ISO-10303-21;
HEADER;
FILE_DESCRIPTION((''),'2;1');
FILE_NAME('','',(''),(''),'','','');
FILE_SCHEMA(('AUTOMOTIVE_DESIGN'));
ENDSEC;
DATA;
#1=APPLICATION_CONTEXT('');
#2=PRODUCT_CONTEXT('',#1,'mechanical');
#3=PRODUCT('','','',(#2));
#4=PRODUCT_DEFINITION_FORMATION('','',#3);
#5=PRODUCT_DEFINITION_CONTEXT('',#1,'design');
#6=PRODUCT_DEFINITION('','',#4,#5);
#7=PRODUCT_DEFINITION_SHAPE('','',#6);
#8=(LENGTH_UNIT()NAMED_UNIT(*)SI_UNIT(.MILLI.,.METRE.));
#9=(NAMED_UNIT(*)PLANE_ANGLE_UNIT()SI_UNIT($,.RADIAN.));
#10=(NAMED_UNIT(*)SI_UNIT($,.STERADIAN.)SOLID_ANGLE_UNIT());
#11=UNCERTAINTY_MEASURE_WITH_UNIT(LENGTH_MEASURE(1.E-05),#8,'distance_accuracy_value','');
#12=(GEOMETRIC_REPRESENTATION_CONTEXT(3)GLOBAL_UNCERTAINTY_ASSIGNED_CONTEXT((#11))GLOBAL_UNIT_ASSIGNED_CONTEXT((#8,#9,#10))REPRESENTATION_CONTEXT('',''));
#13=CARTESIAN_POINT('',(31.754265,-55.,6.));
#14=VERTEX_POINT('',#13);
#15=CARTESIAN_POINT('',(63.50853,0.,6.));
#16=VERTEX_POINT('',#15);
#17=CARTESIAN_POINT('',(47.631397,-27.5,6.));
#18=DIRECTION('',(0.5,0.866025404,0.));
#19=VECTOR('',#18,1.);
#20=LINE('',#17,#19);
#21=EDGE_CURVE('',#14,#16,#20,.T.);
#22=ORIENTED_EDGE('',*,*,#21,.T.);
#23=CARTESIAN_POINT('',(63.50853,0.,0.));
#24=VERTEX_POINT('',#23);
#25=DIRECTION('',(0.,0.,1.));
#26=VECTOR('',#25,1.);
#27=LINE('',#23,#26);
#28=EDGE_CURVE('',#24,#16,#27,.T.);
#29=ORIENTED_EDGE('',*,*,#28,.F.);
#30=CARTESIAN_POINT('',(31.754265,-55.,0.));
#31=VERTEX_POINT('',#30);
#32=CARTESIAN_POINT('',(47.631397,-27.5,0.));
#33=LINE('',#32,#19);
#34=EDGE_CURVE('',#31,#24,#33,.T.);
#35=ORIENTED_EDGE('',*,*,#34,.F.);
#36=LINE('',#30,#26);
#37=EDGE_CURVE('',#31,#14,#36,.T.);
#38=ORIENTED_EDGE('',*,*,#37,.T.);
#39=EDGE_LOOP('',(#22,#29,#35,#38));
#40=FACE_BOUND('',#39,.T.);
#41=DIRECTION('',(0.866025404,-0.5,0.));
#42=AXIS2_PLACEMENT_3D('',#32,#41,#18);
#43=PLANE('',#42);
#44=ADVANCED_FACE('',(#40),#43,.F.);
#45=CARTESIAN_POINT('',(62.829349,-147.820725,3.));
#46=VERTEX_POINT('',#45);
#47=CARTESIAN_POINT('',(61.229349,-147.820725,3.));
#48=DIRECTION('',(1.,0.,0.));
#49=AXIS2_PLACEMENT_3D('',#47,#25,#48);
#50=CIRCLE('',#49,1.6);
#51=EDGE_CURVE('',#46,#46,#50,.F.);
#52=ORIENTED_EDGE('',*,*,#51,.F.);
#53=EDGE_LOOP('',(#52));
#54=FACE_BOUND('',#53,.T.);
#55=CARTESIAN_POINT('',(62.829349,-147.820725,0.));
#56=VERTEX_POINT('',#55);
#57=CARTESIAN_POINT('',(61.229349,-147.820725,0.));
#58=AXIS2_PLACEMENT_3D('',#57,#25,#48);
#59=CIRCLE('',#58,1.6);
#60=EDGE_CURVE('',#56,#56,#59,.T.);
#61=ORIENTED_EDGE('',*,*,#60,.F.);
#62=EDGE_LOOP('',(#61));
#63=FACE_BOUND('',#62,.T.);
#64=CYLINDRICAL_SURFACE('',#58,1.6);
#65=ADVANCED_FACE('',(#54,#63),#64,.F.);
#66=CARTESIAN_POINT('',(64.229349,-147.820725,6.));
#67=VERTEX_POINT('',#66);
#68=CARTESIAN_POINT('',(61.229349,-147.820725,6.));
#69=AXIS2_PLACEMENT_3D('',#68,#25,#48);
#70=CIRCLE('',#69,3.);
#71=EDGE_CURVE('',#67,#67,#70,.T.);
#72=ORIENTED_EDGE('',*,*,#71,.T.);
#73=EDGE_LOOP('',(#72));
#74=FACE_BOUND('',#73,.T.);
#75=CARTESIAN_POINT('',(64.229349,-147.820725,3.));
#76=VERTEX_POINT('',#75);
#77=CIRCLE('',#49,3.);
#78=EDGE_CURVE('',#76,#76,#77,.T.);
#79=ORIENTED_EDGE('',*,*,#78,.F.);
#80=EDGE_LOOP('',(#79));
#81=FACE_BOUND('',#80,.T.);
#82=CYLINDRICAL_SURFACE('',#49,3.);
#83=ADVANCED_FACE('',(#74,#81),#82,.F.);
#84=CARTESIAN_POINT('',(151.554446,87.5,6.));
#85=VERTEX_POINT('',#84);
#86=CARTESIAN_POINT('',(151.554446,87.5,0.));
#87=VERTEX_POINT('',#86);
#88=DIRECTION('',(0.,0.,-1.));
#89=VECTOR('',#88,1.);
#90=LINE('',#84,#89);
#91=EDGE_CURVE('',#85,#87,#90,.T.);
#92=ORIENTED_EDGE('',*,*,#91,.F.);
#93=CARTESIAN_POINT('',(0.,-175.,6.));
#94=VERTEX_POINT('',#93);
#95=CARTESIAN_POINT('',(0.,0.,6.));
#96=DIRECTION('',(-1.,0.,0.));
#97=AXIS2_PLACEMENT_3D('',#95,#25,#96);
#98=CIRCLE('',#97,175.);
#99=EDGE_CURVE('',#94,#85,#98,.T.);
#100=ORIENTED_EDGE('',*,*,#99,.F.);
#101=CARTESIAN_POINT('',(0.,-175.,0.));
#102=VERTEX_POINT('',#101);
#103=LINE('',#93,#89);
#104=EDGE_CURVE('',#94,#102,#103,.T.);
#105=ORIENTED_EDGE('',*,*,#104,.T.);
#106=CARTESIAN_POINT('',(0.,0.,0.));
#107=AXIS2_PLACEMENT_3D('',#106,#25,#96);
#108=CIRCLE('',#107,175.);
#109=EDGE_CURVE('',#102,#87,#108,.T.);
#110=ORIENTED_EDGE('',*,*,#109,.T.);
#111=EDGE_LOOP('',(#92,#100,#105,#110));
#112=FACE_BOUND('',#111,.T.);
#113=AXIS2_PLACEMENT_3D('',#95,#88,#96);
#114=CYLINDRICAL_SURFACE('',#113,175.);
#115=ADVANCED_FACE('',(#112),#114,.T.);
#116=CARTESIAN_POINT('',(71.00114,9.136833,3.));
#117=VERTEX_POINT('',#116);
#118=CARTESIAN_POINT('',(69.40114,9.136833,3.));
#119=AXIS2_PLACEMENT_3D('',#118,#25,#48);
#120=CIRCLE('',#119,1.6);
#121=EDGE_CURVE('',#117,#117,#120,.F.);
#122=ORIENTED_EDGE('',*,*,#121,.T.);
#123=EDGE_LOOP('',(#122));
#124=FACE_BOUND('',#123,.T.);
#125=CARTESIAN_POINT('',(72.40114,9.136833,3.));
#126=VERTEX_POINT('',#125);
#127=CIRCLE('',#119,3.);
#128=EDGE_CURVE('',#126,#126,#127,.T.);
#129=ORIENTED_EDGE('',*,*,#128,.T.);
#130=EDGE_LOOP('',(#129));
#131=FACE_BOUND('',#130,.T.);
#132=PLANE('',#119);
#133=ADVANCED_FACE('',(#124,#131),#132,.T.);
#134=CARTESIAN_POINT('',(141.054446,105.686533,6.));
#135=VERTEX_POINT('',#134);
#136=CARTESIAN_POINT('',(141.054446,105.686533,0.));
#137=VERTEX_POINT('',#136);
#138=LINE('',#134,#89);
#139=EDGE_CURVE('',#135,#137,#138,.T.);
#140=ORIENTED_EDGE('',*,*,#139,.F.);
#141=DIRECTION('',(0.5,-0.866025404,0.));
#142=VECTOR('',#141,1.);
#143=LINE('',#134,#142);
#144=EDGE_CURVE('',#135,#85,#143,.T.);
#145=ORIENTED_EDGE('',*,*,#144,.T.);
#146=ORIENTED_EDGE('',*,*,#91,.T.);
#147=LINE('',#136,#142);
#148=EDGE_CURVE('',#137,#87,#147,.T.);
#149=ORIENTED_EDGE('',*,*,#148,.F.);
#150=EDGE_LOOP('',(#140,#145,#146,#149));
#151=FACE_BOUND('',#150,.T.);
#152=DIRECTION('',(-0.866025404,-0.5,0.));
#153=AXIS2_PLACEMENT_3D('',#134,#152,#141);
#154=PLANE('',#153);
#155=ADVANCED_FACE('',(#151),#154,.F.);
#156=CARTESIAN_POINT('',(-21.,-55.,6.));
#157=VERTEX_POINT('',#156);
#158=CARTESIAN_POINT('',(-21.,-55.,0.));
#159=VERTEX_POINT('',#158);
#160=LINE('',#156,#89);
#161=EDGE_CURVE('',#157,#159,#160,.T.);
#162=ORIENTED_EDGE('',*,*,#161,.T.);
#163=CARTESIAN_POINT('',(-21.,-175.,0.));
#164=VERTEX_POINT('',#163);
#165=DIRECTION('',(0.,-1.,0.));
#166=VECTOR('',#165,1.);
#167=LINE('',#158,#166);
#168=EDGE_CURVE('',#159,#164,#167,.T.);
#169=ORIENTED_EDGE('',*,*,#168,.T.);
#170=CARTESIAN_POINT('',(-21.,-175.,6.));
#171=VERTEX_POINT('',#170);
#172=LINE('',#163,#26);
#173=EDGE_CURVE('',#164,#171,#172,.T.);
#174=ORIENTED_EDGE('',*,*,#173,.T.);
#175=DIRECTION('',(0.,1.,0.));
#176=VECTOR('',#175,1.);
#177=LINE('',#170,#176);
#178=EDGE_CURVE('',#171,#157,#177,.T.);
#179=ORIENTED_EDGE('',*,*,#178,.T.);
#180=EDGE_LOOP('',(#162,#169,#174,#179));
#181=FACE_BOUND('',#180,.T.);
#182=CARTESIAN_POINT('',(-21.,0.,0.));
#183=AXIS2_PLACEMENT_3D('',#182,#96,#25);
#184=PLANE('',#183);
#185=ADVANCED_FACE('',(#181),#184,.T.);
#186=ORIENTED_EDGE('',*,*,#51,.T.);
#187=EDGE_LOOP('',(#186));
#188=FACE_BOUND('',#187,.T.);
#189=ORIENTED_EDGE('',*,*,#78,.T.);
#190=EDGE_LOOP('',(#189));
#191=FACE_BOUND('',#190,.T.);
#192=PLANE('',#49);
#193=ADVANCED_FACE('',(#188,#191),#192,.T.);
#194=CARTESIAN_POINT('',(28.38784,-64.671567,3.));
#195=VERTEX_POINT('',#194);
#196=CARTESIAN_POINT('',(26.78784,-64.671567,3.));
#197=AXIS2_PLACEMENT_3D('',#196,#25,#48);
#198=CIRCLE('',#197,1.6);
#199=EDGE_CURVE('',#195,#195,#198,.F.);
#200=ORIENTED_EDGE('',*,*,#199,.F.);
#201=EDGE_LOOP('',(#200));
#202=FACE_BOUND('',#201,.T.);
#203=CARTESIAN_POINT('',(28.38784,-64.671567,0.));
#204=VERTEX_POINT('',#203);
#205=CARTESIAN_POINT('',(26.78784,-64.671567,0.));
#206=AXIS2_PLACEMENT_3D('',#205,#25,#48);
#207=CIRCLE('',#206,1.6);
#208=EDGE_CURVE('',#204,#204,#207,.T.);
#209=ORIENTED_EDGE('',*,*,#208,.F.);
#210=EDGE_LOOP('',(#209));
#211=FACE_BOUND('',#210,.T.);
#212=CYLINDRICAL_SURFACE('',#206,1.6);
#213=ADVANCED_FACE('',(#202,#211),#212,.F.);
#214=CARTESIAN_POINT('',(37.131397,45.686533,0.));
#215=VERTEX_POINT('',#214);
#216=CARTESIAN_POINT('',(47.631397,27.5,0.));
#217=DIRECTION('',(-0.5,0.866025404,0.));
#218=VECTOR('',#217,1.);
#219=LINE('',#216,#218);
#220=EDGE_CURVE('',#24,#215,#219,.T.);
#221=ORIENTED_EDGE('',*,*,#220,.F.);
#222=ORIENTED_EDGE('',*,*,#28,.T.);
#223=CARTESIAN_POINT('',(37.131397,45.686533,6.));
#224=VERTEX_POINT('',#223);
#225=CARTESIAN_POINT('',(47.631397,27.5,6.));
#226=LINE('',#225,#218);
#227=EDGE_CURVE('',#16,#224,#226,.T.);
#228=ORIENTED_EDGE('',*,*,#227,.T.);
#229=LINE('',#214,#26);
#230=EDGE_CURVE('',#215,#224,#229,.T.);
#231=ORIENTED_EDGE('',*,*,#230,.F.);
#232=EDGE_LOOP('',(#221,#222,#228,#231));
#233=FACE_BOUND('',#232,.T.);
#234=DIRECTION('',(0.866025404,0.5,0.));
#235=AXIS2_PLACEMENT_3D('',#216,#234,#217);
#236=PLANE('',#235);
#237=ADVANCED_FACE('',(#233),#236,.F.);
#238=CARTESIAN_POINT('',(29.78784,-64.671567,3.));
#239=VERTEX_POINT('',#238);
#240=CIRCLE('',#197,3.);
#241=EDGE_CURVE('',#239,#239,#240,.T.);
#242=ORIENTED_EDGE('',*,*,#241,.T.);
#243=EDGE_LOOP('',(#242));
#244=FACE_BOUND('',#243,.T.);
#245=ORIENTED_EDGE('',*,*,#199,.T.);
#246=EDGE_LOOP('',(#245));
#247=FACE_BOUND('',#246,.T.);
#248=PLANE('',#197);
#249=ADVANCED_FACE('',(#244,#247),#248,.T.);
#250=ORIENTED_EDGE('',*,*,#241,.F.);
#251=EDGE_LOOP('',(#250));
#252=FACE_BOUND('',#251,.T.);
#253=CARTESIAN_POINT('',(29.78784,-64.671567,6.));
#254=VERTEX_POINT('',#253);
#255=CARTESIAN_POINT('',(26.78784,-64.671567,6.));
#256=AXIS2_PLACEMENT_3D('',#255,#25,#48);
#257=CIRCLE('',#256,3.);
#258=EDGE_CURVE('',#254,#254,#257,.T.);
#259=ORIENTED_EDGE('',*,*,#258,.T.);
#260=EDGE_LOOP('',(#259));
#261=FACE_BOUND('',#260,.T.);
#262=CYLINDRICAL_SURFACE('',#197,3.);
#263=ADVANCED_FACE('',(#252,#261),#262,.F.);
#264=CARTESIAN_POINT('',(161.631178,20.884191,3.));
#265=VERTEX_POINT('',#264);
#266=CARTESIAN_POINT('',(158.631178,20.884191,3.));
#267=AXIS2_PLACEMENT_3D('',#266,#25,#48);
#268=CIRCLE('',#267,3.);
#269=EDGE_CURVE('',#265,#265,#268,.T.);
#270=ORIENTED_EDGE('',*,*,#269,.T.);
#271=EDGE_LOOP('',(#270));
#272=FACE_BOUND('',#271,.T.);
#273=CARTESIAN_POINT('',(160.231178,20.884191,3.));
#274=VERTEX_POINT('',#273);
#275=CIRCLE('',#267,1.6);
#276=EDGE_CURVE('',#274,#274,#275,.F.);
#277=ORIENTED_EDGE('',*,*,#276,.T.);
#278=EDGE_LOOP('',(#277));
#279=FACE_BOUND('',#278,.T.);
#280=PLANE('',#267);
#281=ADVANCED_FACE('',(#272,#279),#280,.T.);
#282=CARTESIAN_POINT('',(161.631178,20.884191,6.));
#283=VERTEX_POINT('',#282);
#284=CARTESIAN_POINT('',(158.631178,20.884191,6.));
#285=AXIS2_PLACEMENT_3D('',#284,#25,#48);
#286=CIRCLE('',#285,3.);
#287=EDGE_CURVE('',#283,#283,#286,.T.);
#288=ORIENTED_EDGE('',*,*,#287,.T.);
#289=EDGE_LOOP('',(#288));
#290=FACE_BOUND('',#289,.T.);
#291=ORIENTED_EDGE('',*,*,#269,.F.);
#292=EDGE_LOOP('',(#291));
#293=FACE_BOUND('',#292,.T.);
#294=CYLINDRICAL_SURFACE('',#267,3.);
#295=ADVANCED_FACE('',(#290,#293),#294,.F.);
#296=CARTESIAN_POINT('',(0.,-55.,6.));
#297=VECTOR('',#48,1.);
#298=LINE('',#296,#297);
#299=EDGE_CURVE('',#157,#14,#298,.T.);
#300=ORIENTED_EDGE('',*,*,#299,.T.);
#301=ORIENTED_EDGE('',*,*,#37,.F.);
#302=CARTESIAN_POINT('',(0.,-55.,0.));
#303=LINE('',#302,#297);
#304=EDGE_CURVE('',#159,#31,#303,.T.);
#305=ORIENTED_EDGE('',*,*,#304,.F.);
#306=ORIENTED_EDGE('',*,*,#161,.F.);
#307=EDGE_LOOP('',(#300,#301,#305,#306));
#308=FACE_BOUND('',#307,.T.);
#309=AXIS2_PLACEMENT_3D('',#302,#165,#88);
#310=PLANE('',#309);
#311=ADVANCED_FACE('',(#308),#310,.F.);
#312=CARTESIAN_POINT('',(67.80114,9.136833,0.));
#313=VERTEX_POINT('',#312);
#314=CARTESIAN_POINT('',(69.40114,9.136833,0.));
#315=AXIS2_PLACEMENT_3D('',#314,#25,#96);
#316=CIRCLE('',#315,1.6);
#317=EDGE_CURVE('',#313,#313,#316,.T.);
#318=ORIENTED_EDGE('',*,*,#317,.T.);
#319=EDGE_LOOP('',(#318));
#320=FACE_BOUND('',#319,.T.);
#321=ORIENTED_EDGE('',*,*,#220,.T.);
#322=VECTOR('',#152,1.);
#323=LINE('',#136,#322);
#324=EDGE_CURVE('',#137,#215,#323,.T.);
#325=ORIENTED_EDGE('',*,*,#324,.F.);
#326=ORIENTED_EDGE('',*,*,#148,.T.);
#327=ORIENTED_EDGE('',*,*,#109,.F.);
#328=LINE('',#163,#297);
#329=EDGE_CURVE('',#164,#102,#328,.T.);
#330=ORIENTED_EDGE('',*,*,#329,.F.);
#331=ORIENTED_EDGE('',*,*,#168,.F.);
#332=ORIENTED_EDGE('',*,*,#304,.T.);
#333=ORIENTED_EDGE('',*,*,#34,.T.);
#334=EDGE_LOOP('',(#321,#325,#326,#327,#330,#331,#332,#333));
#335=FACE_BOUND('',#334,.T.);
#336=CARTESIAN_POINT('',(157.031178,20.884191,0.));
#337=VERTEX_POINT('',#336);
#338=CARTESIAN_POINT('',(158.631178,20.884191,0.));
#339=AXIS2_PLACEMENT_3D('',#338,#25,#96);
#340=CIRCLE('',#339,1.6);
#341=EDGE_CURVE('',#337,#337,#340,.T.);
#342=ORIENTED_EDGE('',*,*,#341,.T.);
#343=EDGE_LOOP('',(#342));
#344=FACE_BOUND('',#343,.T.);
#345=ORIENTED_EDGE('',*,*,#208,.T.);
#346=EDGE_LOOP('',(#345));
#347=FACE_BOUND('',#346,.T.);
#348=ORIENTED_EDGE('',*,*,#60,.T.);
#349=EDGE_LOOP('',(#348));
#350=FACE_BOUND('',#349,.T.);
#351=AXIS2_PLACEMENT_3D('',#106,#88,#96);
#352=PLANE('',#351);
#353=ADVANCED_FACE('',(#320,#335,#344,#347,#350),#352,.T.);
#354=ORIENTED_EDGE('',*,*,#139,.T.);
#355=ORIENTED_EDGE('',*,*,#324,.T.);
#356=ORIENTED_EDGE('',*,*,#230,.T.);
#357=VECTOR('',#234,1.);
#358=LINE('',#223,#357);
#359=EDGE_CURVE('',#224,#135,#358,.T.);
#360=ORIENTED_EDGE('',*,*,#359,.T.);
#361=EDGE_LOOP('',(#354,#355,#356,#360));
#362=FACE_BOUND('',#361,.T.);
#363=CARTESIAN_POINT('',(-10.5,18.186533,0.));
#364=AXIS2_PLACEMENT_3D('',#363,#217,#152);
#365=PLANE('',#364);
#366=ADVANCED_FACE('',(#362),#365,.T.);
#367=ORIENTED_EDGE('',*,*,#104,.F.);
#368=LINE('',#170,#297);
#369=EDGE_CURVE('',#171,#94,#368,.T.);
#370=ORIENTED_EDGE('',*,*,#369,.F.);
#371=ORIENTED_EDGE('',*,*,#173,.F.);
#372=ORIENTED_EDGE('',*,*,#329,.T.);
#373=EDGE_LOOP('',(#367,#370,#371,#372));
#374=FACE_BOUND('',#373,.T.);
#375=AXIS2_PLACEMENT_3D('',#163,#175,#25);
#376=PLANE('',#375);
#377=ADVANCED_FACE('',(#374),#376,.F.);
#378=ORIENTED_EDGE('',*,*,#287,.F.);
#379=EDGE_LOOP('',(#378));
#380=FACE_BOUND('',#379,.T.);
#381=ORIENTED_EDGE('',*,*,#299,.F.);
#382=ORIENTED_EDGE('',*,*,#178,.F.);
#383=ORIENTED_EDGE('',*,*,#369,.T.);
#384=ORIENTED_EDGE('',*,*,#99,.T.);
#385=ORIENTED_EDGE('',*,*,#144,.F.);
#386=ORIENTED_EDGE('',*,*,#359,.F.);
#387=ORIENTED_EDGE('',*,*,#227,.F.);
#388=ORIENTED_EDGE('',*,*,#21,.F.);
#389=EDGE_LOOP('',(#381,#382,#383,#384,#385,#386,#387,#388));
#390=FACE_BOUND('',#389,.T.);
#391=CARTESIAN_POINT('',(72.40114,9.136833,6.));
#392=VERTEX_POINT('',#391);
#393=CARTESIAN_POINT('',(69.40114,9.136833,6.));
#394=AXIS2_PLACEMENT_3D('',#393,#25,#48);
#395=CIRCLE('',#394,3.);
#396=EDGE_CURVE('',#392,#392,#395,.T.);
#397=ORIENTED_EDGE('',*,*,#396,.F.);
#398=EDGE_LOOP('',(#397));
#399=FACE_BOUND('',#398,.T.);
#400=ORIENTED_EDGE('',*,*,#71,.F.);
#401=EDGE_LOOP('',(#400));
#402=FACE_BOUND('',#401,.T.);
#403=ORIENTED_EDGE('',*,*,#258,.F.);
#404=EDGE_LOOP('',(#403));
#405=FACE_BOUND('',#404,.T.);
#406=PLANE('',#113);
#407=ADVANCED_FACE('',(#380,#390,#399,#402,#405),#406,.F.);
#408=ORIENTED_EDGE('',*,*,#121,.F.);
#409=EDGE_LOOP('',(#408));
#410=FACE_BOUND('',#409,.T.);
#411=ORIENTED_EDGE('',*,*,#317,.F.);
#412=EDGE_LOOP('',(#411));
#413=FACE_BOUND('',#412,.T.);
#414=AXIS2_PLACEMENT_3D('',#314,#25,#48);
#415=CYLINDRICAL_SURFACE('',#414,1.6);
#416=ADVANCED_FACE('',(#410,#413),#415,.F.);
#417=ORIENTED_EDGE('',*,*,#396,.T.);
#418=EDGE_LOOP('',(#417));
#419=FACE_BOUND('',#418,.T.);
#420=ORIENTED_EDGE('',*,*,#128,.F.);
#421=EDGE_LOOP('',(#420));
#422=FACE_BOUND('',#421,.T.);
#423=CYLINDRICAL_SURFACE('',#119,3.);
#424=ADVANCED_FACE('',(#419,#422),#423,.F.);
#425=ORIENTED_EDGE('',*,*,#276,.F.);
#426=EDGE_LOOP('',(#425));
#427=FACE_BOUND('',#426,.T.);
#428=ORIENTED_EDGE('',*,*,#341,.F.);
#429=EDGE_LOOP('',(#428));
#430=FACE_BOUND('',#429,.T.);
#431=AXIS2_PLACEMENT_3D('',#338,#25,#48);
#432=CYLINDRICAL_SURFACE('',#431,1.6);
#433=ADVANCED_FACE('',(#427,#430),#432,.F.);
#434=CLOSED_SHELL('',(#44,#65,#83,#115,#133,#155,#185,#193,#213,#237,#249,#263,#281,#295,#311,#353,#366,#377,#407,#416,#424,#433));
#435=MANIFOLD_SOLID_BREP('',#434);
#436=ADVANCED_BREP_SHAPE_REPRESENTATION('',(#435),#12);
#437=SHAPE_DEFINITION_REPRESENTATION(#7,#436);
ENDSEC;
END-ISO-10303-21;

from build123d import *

# Parameters (mm, degrees)
EXTRUDE_1_DEPTH     = 6
CUT_EXTRUDE_1_DEPTH = 248.560093715
SKETCH_3_W          = 6
SKETCH_3_H          = 120
EXTRUDE_2_DEPTH     = 21
SKETCH_4_W          = 120
SKETCH_4_H          = 6
EXTRUDE_3_DEPTH     = 21
SKETCH_5_R          = 1.6
CUT_EXTRUDE_2_DEPTH = 248.560093715
SKETCH_6_R          = 3
CUT_EXTRUDE_3_DEPTH = 3


with BuildPart() as part:
    # 草圖1 → 填料-伸長1 (new body)
    with BuildSketch(Plane.XY):
        with BuildLine():
            Line((0, 0), (0, -175))
            ThreePointArc((0, -175), (151.554445662, -87.5), (151.554445662, 87.5))
            Line((151.554445662, 87.5), (0, 0))
        make_face()
    extrude(amount=EXTRUDE_1_DEPTH)

    # 草圖2 → 除料-伸長1 (cut, through all)
    with BuildSketch(Plane.XY.offset(6)):
        with BuildLine():
            Line((0, 0), (0, -55))
            ThreePointArc((0, -55), (27.500000113, -47.631397143), (47.631397339, -27.499999773))
            ThreePointArc((47.631397339, -27.499999773), (53.12592048, -14.235047354), (55, 0))
            ThreePointArc((55, 0), (53.125920434, 14.235047524), (47.631397163, 27.500000078))
            Line((47.631397208, 27.5), (0, 0))
        make_face()
        with BuildLine():
            ThreePointArc((0, 55), (-55, 0), (0, -55))
            Line((0, -55), (0, 0))
            Line((0, 0), (47.631397208, 27.5))
            ThreePointArc((47.631397163, 27.500000078), (27.499999961, 47.631397231), (0, 55))
        make_face()
        with BuildLine():
            ThreePointArc((47.631397339, -27.499999773), (27.500000113, -47.631397143), (0, -55))
            Line((0, -55), (31.754264805, -55))
            Line((31.754264805, -55), (47.631397339, -27.499999773))
        make_face()
        with BuildLine():
            ThreePointArc((55, 0), (53.12592048, -14.235047354), (47.631397339, -27.499999773))
            Line((47.631397339, -27.499999773), (63.508529611, 0))
            Line((63.508529611, 0), (47.631397163, 27.500000078))
            ThreePointArc((47.631397163, 27.500000078), (53.125920434, 14.235047524), (55, 0))
        make_face()
    extrude(amount=-CUT_EXTRUDE_1_DEPTH, mode=Mode.SUBTRACT)

    # 草圖3 → 填料-伸長2 (add)
    with BuildSketch(Plane.ZY):
        with Locations((3, -115)):
            Rectangle(SKETCH_3_W, SKETCH_3_H)
    extrude(amount=EXTRUDE_2_DEPTH)

    # 草圖4 → 填料-伸長3 (add)
    with BuildSketch(Plane(origin=(0, 0, 0), x_dir=(0.8660254037844362, 0.5000000000000046, 0), z_dir=(-0.5000000000000044, 0.866025403784436, 0))):
        with Locations((115, -3)):
            Rectangle(SKETCH_4_W, SKETCH_4_H)
    extrude(amount=EXTRUDE_3_DEPTH)

    # 草圖5 → 除料-伸長2 (cut, through all)
    with BuildSketch(Plane.XY.offset(6)):
        with Locations((61.229349178, -147.820725202)):
            Circle(SKETCH_5_R)
        with Locations((26.787840266, -64.671567276)):
            Circle(SKETCH_5_R)
        with Locations(Location((158.63117782, 20.884190755, 0), (0, 0, 180))):
            Circle(SKETCH_5_R)
        with Locations(Location((69.401140296, 9.136833455, 0), (0, 0, 180))):
            Circle(SKETCH_5_R)
    extrude(amount=-CUT_EXTRUDE_2_DEPTH, mode=Mode.SUBTRACT)

    # 草圖6 → 除料-伸長3 (cut)
    with BuildSketch(Plane.XY.offset(6)):
        with Locations((61.229349178, -147.820725202)):
            Circle(SKETCH_6_R)
        with Locations((26.787840266, -64.671567276)):
            Circle(SKETCH_6_R)
        with Locations((69.401140296, 9.136833455)):
            Circle(SKETCH_6_R)
        with Locations((158.63117782, 20.884190755)):
            Circle(SKETCH_6_R)
    extrude(amount=-CUT_EXTRUDE_3_DEPTH, mode=Mode.SUBTRACT)


solid = part.part
